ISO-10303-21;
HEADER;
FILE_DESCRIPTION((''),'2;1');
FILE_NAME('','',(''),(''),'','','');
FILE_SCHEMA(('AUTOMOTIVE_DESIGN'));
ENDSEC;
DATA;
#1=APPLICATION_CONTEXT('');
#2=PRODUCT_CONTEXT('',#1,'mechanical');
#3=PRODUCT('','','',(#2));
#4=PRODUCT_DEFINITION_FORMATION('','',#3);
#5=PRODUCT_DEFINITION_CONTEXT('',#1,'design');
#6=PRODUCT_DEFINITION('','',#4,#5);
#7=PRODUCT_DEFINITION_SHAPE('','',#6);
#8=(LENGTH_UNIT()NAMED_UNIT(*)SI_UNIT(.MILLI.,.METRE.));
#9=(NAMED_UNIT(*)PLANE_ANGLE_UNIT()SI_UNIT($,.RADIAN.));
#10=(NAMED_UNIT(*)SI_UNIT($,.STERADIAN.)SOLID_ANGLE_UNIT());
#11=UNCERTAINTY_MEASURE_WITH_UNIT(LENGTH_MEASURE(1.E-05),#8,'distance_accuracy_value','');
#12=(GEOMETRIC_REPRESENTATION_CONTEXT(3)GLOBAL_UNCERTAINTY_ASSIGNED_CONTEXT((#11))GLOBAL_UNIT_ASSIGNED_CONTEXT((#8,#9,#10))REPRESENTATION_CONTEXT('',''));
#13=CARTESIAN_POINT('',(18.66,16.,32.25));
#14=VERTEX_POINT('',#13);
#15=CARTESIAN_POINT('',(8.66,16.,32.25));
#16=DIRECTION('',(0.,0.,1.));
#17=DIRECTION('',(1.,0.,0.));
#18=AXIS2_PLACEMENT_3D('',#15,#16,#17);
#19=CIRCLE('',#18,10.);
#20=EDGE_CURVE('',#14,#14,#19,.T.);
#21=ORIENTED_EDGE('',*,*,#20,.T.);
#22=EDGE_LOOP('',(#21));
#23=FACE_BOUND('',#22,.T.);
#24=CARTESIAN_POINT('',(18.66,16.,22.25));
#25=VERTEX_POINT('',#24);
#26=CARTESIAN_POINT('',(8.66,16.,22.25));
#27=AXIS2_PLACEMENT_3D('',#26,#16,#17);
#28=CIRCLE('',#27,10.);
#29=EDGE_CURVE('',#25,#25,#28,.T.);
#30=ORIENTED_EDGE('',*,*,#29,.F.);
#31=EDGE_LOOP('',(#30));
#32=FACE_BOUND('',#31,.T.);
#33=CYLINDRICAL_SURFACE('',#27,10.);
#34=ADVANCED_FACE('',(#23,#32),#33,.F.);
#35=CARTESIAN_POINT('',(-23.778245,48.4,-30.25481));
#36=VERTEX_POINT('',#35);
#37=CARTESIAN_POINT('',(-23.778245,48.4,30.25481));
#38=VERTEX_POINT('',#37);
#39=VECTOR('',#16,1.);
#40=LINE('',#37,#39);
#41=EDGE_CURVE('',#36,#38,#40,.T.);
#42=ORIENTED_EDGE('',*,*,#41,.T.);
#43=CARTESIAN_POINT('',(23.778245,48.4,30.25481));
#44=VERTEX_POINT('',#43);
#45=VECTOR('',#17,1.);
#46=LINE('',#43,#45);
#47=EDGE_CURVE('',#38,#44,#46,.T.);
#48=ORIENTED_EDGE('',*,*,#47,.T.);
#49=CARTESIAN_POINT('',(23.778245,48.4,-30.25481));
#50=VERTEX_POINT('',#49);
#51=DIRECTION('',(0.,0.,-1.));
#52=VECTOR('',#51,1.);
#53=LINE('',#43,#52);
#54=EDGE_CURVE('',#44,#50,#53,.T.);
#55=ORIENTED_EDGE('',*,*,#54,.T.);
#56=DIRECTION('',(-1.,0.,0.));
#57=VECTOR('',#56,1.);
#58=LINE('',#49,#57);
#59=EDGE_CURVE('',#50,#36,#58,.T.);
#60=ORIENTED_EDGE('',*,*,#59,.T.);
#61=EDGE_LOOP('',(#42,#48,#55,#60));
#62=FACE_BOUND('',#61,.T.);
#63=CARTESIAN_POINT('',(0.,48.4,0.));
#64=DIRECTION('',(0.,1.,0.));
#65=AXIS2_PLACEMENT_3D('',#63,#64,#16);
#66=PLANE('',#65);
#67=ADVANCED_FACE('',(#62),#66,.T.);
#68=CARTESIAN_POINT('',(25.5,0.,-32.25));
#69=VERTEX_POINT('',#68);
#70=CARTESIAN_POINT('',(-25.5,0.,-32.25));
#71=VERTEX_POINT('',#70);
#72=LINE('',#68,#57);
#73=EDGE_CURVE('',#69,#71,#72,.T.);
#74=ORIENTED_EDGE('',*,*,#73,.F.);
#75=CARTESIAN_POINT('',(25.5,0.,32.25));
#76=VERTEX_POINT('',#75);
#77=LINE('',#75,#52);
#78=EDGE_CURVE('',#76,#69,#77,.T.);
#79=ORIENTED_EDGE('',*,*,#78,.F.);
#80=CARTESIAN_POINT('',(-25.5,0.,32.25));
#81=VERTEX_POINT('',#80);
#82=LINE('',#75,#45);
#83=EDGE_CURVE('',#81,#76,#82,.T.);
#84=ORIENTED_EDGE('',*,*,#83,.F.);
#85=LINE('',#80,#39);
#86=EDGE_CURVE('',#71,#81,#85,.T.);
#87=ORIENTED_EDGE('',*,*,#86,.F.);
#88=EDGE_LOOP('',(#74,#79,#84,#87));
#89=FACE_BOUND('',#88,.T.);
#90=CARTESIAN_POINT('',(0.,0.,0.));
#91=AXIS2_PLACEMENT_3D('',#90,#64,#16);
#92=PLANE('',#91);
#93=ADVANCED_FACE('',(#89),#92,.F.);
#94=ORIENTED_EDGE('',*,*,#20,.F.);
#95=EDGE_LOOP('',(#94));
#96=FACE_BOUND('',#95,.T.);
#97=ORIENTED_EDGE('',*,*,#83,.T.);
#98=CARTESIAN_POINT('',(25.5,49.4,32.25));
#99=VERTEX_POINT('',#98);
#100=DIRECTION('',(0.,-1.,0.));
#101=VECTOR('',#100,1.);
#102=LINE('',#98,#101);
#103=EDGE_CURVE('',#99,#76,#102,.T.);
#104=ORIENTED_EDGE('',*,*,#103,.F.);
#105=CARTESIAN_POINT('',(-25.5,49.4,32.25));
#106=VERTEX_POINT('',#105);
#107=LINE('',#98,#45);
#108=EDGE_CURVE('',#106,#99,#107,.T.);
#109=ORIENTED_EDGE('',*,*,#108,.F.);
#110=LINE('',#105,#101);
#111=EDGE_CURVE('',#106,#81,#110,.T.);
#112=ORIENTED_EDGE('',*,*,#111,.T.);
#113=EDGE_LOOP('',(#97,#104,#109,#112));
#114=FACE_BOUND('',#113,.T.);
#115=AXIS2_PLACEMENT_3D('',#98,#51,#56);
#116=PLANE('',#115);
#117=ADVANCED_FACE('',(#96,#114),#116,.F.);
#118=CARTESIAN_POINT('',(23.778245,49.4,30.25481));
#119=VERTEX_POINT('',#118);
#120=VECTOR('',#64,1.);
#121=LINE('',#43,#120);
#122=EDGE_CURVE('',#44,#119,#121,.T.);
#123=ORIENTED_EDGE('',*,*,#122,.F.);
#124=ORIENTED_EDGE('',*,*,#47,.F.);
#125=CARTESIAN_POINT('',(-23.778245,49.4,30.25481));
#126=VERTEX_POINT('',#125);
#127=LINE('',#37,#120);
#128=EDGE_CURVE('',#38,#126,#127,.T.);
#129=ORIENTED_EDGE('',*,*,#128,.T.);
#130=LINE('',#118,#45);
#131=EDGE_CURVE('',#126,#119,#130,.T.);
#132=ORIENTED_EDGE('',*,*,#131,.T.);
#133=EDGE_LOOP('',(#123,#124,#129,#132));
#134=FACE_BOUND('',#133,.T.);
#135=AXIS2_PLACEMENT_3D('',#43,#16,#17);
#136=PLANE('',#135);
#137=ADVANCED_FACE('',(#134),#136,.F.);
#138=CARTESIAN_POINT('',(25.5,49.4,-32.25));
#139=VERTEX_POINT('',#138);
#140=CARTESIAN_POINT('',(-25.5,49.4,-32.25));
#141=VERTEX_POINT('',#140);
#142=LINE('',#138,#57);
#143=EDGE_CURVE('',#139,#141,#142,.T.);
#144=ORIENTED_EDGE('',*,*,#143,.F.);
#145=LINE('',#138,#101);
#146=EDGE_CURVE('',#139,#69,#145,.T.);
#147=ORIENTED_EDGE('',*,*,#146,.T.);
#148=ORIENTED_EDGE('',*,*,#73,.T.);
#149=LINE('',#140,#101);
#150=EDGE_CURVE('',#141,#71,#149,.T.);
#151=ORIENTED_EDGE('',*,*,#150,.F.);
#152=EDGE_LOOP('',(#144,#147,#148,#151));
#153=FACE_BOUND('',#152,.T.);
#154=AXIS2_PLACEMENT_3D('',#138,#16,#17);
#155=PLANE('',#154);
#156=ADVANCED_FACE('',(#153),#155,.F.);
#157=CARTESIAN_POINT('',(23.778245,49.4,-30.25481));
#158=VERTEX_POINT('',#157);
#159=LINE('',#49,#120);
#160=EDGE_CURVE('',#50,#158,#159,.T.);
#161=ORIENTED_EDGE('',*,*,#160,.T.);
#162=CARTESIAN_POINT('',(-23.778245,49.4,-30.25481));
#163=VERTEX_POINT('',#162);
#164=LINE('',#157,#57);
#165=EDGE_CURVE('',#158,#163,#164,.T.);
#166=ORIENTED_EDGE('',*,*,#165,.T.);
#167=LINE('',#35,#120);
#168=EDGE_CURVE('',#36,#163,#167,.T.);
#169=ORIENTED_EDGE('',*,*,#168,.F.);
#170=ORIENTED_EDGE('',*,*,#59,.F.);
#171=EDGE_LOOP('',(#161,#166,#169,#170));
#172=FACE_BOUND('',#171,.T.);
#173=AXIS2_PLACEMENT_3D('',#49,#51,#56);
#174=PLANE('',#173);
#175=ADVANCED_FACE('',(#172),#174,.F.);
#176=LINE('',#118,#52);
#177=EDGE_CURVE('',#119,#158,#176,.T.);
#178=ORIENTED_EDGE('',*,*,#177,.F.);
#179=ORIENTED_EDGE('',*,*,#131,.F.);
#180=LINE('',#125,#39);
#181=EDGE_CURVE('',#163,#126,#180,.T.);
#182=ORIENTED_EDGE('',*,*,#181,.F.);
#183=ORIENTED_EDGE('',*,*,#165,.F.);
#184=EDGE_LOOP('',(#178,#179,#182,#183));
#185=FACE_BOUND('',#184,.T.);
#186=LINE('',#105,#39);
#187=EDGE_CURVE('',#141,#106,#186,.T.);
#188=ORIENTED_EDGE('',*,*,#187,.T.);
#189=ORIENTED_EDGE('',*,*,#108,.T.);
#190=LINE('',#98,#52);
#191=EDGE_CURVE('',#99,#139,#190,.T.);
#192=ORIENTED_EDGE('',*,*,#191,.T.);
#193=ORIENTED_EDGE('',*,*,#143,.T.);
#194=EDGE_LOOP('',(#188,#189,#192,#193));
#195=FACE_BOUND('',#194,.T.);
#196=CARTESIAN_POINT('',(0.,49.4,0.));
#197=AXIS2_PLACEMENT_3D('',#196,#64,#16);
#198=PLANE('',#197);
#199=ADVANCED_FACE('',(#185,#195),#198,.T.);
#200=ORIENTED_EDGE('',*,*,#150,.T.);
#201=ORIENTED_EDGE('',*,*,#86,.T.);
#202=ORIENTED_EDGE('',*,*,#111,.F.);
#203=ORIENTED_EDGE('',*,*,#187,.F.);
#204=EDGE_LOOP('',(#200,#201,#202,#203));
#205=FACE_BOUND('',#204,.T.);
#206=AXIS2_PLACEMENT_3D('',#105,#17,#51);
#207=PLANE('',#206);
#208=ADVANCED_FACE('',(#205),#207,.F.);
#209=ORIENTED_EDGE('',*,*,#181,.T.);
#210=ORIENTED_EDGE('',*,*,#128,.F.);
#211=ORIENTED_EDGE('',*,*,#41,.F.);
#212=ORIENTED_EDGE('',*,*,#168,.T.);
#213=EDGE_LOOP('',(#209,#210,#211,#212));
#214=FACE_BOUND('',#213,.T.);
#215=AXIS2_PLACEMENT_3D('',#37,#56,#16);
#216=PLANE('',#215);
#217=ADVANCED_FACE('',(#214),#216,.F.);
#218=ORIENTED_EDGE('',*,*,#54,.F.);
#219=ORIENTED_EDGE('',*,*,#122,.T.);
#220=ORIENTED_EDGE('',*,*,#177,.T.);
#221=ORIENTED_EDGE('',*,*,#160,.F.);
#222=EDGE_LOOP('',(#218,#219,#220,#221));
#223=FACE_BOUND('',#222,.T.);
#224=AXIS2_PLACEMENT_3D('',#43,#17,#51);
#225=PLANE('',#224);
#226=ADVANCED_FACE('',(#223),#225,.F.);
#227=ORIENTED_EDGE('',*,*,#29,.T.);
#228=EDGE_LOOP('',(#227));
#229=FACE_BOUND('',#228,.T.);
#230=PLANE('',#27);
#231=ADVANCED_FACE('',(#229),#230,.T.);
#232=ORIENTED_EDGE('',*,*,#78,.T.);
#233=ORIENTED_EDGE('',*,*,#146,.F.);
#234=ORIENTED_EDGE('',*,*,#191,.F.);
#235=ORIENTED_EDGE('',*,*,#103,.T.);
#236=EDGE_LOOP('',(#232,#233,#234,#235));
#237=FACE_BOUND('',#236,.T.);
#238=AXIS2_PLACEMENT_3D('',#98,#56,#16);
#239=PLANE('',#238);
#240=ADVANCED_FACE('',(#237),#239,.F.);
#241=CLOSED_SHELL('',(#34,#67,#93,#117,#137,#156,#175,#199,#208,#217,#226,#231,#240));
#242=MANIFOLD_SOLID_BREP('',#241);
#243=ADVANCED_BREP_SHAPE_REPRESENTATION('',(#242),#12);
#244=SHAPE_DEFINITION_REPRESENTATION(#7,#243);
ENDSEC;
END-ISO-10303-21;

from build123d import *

# Parameters (mm, degrees)
SKETCH1_W           = 51
SKETCH1_H           = 64.5
BOSS_EXTRUDE1_DEPTH = 49.4
SKETCH2_R           = 10
CUT_EXTRUDE1_DEPTH  = 10
SKETCH3_W           = 47.55649051
SKETCH3_H           = 60.50962022
CUT_EXTRUDE2_DEPTH  = 1


with BuildPart() as part:
    # Sketch1 → Boss-Extrude1 (new body)
    with BuildSketch(Plane(origin=(0, 0, 0), x_dir=(1, 0, 0), z_dir=(0, 1, 0))):
        Rectangle(SKETCH1_W, SKETCH1_H)
    extrude(amount=BOSS_EXTRUDE1_DEPTH)

    # Sketch2 → Cut-Extrude1 (cut)
    with BuildSketch(Plane.XY.offset(32.25)):
        with Locations((8.66, 16)):
            Circle(SKETCH2_R)
    extrude(amount=-CUT_EXTRUDE1_DEPTH, mode=Mode.SUBTRACT)

    # Sketch3 → Cut-Extrude2 (cut)
    with BuildSketch(Plane(origin=(0, 49.4, 0), x_dir=(1, 0, 0), z_dir=(0, 1, 0))):
        Rectangle(SKETCH3_W, SKETCH3_H)
    extrude(amount=-CUT_EXTRUDE2_DEPTH, mode=Mode.SUBTRACT)


solid = part.part
